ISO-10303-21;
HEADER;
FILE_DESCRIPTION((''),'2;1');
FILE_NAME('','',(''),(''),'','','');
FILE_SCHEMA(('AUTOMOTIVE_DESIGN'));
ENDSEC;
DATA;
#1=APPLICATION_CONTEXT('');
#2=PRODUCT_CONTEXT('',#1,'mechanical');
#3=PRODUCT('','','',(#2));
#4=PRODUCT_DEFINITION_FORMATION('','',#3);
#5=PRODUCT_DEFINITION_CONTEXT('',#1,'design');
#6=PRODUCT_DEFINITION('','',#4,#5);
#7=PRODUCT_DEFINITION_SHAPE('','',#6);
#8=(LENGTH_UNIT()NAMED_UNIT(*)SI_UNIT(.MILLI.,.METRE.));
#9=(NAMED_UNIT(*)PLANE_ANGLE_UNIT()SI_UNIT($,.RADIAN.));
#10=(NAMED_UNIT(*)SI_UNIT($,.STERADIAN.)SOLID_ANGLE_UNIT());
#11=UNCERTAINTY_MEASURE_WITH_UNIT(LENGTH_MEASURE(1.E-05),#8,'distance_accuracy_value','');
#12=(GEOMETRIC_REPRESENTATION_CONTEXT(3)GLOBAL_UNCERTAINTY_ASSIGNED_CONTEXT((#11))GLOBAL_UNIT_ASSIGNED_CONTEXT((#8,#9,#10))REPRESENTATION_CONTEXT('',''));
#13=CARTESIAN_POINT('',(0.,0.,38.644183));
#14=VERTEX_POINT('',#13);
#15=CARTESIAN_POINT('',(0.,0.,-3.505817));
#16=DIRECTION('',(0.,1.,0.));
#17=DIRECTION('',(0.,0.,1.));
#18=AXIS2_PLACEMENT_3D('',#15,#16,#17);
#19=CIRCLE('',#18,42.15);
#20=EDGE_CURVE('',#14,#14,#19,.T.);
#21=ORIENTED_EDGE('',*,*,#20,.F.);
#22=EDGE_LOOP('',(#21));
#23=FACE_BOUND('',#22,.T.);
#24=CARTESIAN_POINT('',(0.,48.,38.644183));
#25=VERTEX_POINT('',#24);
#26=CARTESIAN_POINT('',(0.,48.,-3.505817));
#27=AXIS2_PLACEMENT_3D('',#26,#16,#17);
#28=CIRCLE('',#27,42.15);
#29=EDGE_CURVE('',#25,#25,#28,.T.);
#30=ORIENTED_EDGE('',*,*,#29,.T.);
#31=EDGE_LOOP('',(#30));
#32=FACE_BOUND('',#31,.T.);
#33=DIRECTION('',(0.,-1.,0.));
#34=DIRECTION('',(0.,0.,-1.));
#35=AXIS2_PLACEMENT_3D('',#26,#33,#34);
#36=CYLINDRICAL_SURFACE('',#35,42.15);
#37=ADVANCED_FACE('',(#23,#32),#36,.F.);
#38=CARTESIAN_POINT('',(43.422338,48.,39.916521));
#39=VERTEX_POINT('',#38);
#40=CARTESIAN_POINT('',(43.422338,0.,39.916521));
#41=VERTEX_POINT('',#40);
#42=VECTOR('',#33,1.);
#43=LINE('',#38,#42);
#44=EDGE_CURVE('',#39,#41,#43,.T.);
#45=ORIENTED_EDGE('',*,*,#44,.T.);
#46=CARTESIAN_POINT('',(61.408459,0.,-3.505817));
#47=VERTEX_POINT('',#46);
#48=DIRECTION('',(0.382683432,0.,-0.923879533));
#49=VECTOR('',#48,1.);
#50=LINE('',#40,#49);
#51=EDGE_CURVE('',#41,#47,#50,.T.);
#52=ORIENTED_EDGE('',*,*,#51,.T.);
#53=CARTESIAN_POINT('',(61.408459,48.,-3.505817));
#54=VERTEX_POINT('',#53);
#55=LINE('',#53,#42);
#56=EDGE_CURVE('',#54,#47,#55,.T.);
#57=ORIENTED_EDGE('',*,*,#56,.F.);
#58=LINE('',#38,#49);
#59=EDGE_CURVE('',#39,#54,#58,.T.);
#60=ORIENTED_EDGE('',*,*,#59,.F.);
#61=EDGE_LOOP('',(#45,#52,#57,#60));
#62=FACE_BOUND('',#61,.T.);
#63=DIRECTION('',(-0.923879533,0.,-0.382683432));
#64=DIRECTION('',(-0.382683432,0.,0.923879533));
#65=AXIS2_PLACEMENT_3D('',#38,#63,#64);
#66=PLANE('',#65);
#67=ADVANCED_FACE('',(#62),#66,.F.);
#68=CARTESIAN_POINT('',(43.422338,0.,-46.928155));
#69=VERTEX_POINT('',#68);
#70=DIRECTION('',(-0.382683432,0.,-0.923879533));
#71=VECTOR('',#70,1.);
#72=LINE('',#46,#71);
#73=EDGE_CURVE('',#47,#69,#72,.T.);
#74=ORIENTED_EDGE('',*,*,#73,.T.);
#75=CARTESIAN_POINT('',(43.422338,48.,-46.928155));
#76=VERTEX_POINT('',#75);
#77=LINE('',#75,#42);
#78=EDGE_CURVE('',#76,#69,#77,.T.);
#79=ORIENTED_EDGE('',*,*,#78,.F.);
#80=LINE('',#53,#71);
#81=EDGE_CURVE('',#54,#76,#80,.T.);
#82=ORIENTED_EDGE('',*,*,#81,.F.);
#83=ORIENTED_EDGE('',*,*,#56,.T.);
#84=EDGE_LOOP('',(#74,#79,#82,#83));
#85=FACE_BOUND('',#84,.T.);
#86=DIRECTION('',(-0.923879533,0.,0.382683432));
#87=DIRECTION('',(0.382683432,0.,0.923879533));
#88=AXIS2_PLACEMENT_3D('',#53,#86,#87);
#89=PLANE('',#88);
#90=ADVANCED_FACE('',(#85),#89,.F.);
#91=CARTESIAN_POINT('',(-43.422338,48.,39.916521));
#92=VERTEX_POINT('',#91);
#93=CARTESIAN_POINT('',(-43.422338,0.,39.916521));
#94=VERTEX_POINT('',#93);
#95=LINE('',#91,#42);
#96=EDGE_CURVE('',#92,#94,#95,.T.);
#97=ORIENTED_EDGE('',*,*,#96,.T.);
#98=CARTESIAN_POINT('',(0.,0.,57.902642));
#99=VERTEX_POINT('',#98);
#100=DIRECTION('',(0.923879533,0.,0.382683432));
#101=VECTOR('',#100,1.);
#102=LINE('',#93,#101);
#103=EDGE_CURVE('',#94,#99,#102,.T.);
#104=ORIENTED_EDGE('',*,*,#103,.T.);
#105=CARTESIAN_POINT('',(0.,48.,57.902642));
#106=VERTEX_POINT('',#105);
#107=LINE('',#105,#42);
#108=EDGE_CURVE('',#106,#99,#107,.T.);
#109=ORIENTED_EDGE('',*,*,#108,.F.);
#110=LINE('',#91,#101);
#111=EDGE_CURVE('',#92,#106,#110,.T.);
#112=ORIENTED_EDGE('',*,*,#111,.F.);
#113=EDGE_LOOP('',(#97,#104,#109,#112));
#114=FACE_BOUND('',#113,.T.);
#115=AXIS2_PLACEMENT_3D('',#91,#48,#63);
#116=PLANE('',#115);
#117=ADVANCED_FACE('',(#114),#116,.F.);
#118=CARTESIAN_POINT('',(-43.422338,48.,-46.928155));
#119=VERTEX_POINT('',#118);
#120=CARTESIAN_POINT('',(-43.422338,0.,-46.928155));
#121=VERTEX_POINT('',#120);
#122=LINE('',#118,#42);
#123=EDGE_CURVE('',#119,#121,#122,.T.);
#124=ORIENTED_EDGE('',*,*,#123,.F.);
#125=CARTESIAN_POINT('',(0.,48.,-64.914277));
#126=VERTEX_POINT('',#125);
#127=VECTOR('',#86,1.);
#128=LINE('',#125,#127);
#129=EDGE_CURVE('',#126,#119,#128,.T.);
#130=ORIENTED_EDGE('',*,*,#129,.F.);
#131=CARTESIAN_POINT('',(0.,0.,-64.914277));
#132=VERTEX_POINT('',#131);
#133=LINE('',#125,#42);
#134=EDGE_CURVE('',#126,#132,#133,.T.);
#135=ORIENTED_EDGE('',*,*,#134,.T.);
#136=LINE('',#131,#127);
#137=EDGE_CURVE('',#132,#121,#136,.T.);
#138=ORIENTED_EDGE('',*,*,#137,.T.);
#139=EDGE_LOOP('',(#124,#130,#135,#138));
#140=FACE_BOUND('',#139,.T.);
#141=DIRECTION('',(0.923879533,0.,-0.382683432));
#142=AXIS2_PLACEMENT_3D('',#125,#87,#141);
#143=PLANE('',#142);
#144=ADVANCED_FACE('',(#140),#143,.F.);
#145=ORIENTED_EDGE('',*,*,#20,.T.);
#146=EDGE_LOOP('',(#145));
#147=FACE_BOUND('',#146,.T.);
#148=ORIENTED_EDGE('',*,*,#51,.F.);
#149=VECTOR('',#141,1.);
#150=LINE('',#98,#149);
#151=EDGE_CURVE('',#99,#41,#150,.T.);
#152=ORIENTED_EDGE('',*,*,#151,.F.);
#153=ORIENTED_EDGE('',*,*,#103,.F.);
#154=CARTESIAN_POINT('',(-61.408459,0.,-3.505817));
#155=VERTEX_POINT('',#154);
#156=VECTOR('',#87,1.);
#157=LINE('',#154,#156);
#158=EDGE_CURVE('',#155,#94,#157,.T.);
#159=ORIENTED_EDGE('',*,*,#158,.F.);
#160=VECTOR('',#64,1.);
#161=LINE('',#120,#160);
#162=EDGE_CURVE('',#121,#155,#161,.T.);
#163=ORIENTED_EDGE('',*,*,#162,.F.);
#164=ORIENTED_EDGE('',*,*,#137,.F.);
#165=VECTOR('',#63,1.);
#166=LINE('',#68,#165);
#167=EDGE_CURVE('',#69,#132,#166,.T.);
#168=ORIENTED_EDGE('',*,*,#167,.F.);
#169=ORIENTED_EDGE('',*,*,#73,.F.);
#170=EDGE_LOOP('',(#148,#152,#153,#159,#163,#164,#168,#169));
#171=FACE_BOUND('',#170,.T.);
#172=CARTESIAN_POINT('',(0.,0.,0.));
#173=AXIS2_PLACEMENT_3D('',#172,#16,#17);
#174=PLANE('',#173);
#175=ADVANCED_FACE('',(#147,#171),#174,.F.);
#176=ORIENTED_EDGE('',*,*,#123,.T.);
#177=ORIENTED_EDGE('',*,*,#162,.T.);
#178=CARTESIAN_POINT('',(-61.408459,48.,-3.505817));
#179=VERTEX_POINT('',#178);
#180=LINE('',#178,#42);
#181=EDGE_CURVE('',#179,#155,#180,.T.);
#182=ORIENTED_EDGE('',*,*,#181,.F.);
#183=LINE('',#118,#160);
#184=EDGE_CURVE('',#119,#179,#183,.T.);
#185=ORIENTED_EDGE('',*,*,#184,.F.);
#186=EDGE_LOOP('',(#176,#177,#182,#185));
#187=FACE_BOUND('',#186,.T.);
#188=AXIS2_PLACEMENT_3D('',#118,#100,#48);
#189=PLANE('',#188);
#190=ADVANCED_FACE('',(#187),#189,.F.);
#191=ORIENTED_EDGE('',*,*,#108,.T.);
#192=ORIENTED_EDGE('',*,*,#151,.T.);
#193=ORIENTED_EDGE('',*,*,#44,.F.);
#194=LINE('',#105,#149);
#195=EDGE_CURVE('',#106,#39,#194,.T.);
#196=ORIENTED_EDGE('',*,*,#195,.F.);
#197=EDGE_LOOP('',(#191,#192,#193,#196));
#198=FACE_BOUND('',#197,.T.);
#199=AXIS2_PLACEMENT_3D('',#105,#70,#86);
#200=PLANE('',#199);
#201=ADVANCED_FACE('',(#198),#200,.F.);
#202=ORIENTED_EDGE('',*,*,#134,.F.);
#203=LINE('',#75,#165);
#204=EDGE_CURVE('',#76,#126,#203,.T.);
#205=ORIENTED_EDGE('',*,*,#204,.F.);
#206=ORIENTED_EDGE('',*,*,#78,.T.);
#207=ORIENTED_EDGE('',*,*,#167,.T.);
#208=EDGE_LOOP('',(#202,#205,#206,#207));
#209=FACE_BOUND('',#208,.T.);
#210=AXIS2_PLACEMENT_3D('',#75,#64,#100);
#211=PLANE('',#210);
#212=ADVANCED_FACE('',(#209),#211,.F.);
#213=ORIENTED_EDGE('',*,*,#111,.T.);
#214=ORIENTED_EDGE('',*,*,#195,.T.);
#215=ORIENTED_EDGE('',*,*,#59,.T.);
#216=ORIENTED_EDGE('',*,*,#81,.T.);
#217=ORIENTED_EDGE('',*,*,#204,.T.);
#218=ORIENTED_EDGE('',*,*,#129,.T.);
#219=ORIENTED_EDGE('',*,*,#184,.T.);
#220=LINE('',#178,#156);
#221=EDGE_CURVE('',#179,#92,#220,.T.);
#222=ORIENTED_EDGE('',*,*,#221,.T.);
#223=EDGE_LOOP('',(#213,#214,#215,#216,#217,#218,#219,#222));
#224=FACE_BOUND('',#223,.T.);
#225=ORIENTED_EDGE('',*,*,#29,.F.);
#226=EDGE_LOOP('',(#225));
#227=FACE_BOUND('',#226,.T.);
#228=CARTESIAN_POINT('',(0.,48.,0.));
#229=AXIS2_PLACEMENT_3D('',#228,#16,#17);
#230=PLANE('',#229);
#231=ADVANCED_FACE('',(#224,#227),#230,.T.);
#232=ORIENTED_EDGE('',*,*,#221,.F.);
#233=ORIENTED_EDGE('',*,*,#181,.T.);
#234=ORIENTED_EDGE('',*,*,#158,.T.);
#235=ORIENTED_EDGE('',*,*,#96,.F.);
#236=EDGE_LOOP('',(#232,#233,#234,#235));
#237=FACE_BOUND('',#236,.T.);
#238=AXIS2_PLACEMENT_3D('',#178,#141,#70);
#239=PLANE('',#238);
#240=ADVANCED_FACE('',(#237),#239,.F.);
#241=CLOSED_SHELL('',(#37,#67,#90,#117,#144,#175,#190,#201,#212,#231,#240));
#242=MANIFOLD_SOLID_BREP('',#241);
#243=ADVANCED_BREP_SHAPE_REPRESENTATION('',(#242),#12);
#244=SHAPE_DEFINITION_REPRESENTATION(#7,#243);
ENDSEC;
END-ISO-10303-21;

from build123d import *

# Parameters (mm, degrees)
SKETCH1_R           = 42.15
BOSS_EXTRUDE2_DEPTH = 48


with BuildPart() as part:
    # Sketch1 → Boss-Extrude2 (new body)
    with BuildSketch(Plane(origin=(0, 0, 0), x_dir=(1, 0, 0), z_dir=(0, 1, 0))):
        Polygon((0, -57.902642122), (43.422338028, -39.916520801), (61.408459349, 3.505817227), (43.422338028, 46.928155255), (0, 64.914276577), (-43.422338028, 46.928155255), (-61.408459349, 3.505817227), (-43.422338028, -39.916520801), align=None)
        with Locations((0, 3.505817227)):
            Circle(SKETCH1_R, mode=Mode.SUBTRACT)
    extrude(amount=BOSS_EXTRUDE2_DEPTH)


solid = part.part
